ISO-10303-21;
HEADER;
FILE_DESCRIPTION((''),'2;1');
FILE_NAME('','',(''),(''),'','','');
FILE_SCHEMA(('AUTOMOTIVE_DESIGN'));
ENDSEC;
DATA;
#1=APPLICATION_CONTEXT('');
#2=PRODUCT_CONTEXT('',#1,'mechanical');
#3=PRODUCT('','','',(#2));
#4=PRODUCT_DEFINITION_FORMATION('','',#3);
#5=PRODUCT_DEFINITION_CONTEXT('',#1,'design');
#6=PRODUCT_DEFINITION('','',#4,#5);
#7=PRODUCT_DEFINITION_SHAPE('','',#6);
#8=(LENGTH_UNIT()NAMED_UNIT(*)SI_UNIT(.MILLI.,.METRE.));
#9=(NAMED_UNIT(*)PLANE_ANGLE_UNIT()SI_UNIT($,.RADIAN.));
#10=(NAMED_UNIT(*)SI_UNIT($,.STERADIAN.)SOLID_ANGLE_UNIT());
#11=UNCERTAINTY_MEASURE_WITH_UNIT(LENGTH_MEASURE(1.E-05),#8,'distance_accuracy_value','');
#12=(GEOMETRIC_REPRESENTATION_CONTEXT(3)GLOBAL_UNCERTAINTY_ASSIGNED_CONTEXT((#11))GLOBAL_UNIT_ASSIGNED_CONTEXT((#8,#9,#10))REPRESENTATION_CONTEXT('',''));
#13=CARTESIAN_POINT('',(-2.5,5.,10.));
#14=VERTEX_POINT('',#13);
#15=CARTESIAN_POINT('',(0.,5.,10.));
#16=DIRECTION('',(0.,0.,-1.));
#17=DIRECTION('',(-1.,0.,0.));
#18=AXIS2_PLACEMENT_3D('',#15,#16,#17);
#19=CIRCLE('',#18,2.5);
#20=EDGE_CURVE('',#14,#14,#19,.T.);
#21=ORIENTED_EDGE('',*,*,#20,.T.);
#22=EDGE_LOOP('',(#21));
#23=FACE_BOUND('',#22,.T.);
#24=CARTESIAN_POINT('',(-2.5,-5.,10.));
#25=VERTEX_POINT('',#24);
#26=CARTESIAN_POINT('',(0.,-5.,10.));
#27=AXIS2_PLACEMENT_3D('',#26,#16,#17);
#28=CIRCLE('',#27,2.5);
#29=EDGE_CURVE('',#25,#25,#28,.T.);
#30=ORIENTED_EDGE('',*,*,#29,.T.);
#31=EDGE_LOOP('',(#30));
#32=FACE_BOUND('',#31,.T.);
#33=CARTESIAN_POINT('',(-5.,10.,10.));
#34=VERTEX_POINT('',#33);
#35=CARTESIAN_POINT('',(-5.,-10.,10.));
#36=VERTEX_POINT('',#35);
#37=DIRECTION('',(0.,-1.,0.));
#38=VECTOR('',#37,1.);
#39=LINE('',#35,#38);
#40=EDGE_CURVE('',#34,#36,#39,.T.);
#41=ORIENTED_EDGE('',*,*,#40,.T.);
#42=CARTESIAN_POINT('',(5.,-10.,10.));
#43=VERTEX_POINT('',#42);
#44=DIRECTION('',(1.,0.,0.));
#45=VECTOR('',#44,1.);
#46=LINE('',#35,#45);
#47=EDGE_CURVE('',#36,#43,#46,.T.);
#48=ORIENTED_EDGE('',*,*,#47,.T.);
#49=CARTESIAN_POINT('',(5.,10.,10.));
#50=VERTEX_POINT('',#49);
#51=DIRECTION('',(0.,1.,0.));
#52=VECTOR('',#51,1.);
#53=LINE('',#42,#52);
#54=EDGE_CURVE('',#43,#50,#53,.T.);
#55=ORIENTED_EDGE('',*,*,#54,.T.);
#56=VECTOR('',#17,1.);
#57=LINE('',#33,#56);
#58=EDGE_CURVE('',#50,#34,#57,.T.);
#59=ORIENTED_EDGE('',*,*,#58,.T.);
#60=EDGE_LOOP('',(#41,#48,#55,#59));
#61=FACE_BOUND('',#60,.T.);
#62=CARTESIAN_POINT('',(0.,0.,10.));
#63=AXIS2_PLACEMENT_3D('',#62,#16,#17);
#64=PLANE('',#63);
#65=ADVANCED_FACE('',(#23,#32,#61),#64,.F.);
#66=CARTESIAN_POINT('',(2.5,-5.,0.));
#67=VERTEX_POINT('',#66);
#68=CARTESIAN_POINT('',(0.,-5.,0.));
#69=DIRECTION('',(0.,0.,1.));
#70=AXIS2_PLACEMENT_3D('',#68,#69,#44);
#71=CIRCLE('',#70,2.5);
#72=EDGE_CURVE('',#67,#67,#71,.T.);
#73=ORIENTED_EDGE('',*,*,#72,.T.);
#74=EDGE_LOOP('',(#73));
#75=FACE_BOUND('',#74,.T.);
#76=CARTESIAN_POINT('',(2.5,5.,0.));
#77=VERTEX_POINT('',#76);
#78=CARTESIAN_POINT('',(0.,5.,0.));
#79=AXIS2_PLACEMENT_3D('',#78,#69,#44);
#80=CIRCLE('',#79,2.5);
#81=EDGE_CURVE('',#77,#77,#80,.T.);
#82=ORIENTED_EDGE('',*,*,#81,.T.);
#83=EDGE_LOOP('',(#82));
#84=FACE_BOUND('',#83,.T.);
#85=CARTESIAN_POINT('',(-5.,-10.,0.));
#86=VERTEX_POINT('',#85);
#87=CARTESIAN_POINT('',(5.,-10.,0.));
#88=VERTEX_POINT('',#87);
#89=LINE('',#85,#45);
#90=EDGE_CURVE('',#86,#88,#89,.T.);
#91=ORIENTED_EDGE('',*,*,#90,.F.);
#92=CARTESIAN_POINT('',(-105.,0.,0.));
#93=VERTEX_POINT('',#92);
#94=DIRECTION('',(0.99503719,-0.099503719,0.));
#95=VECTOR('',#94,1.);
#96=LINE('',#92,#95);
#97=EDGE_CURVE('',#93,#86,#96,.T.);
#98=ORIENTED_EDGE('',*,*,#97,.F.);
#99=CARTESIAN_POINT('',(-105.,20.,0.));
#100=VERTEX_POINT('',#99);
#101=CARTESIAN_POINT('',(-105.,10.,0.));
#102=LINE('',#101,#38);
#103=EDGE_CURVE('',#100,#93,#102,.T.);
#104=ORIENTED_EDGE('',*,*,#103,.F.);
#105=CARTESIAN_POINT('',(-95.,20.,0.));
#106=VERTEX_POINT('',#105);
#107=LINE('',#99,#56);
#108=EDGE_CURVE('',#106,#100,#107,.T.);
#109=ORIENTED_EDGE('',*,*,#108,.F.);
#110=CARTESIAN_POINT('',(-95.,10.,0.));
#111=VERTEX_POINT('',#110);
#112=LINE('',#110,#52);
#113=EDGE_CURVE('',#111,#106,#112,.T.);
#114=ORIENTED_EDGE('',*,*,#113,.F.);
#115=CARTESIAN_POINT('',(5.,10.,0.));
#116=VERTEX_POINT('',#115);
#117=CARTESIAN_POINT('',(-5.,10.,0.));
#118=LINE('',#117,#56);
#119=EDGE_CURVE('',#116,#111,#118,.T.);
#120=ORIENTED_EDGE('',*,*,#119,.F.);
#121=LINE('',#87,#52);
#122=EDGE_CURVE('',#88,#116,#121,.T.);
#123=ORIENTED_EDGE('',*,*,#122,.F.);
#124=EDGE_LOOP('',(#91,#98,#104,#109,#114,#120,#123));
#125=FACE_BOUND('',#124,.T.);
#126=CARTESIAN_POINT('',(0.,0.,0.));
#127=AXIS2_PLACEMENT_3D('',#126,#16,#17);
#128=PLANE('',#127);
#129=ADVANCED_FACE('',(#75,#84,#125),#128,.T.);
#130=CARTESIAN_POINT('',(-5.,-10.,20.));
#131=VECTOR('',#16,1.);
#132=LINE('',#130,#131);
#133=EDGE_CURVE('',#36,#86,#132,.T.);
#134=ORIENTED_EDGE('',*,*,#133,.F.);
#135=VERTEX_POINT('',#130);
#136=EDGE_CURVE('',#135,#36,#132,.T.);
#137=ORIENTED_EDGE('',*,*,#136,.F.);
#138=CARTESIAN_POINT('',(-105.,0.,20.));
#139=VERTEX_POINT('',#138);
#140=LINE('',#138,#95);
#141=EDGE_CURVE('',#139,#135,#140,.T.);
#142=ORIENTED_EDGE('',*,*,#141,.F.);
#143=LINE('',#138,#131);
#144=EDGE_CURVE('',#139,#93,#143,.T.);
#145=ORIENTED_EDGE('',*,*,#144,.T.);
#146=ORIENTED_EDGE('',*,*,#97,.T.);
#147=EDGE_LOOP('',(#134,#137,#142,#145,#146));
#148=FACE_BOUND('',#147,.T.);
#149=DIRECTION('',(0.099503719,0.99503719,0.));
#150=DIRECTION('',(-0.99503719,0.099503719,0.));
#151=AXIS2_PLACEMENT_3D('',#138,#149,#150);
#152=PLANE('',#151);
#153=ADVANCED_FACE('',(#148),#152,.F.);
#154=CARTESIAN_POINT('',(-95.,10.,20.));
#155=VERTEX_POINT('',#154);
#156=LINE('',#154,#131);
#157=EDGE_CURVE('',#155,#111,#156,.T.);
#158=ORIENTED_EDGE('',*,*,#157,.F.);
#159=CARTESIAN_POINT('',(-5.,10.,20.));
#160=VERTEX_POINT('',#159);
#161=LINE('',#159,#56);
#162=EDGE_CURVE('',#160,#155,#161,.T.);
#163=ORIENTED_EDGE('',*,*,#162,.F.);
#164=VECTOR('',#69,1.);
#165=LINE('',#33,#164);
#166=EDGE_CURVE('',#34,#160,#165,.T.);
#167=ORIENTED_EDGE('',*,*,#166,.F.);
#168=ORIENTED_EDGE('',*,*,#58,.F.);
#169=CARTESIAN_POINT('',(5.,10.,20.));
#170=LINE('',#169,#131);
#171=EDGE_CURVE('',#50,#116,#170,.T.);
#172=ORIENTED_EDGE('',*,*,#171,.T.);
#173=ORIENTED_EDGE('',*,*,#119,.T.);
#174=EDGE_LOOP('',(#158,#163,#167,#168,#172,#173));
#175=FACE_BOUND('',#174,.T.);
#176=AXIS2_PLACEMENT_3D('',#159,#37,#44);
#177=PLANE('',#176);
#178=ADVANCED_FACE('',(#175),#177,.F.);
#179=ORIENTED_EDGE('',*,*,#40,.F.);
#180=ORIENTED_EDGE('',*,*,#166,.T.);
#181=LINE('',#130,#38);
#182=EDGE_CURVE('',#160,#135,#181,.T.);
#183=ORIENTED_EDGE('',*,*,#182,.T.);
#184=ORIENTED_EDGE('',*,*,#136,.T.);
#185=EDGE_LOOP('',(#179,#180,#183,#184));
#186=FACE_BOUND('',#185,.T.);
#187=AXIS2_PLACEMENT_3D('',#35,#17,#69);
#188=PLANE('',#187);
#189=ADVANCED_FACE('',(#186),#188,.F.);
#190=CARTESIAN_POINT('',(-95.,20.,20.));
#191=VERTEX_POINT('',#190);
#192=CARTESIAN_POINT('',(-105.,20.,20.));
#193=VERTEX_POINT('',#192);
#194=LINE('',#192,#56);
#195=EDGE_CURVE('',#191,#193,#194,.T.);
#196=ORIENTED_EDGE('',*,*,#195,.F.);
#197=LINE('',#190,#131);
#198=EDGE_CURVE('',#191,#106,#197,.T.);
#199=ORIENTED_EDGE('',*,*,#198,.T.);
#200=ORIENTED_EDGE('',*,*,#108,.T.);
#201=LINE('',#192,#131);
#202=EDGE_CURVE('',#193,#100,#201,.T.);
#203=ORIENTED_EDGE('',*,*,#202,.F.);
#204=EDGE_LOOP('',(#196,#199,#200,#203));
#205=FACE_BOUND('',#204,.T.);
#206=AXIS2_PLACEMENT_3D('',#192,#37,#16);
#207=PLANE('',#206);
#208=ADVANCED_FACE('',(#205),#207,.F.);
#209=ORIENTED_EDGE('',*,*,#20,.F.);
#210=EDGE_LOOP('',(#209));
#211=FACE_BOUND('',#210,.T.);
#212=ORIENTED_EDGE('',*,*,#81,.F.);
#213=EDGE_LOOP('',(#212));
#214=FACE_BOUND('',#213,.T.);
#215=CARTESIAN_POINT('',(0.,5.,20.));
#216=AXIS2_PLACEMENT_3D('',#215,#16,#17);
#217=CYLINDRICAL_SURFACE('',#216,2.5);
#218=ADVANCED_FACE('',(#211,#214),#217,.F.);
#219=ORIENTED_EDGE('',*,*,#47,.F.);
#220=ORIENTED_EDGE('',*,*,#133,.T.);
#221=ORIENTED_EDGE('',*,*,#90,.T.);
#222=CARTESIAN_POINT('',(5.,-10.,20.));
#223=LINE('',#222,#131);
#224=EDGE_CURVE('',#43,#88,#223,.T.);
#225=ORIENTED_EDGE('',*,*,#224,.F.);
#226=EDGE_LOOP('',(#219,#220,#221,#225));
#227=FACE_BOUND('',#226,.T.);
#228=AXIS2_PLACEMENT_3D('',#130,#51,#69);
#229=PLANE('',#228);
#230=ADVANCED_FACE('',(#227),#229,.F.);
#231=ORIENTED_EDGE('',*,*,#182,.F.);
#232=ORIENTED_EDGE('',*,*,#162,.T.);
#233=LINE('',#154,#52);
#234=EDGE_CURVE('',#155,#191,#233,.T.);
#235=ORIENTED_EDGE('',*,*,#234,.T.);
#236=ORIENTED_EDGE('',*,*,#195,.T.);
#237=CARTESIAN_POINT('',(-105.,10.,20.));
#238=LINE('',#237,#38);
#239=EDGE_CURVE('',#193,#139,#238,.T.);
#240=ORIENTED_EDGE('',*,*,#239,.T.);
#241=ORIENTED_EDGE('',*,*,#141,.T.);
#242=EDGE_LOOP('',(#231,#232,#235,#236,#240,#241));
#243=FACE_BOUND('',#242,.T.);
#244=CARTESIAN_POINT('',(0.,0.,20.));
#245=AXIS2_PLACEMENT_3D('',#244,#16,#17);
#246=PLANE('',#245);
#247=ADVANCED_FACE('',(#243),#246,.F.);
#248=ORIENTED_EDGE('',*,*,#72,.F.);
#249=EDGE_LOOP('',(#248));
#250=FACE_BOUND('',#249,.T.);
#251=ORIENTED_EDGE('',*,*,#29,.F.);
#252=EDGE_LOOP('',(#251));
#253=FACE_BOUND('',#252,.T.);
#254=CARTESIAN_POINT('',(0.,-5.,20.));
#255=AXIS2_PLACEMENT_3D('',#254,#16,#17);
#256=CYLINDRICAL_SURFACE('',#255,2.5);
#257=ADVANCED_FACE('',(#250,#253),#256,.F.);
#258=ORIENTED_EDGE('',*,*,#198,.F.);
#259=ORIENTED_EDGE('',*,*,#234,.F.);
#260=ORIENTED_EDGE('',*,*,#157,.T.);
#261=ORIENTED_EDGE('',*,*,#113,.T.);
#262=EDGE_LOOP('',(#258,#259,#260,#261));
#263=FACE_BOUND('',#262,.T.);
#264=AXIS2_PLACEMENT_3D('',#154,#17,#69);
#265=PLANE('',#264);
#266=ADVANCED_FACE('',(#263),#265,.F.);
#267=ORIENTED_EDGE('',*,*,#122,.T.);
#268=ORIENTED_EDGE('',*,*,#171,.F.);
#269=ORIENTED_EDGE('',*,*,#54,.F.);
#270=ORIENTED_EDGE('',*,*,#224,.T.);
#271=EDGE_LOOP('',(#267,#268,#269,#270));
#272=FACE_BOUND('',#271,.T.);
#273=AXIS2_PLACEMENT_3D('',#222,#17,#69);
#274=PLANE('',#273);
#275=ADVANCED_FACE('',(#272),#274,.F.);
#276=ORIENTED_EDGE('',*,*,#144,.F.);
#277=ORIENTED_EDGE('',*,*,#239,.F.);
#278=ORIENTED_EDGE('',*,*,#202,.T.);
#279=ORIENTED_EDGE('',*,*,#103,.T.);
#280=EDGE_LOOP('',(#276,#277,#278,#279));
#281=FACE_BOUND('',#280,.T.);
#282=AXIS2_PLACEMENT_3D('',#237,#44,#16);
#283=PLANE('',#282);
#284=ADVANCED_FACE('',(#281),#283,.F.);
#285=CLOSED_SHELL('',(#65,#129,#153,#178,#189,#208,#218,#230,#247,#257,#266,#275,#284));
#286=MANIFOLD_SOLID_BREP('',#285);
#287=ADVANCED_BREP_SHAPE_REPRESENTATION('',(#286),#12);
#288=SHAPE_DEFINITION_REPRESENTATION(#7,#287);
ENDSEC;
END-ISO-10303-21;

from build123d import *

# Parameters (mm, degrees)
ESQUISSE1_R             = 2.5
BOSS_EXTRU_1_DEPTH      = 20
ESQUISSE2_W             = 10
ESQUISSE2_H             = 20
ENL_V_MAT_EXTRU_1_DEPTH = 10


with BuildPart() as part:
    # Esquisse1 → Boss.-Extru.1 (new body)
    with BuildSketch(Plane.XY):
        Polygon((-105, 0), (-5, -10), (5, -10), (5, 10), (-5, 10), (-95, 10), (-95, 20), (-105, 20), (-105, 10), align=None)
        with Locations((0, 5)):
            Circle(ESQUISSE1_R, mode=Mode.SUBTRACT)
        with Locations((0, -5)):
            Circle(ESQUISSE1_R, mode=Mode.SUBTRACT)
    extrude(amount=BOSS_EXTRU_1_DEPTH)

    # Esquisse2 → Enlèv. mat.-Extru.1 (cut)
    with BuildSketch(Plane.XY.offset(20)):
        Rectangle(ESQUISSE2_W, ESQUISSE2_H)
    extrude(amount=-ENL_V_MAT_EXTRU_1_DEPTH, mode=Mode.SUBTRACT)


solid = part.part
